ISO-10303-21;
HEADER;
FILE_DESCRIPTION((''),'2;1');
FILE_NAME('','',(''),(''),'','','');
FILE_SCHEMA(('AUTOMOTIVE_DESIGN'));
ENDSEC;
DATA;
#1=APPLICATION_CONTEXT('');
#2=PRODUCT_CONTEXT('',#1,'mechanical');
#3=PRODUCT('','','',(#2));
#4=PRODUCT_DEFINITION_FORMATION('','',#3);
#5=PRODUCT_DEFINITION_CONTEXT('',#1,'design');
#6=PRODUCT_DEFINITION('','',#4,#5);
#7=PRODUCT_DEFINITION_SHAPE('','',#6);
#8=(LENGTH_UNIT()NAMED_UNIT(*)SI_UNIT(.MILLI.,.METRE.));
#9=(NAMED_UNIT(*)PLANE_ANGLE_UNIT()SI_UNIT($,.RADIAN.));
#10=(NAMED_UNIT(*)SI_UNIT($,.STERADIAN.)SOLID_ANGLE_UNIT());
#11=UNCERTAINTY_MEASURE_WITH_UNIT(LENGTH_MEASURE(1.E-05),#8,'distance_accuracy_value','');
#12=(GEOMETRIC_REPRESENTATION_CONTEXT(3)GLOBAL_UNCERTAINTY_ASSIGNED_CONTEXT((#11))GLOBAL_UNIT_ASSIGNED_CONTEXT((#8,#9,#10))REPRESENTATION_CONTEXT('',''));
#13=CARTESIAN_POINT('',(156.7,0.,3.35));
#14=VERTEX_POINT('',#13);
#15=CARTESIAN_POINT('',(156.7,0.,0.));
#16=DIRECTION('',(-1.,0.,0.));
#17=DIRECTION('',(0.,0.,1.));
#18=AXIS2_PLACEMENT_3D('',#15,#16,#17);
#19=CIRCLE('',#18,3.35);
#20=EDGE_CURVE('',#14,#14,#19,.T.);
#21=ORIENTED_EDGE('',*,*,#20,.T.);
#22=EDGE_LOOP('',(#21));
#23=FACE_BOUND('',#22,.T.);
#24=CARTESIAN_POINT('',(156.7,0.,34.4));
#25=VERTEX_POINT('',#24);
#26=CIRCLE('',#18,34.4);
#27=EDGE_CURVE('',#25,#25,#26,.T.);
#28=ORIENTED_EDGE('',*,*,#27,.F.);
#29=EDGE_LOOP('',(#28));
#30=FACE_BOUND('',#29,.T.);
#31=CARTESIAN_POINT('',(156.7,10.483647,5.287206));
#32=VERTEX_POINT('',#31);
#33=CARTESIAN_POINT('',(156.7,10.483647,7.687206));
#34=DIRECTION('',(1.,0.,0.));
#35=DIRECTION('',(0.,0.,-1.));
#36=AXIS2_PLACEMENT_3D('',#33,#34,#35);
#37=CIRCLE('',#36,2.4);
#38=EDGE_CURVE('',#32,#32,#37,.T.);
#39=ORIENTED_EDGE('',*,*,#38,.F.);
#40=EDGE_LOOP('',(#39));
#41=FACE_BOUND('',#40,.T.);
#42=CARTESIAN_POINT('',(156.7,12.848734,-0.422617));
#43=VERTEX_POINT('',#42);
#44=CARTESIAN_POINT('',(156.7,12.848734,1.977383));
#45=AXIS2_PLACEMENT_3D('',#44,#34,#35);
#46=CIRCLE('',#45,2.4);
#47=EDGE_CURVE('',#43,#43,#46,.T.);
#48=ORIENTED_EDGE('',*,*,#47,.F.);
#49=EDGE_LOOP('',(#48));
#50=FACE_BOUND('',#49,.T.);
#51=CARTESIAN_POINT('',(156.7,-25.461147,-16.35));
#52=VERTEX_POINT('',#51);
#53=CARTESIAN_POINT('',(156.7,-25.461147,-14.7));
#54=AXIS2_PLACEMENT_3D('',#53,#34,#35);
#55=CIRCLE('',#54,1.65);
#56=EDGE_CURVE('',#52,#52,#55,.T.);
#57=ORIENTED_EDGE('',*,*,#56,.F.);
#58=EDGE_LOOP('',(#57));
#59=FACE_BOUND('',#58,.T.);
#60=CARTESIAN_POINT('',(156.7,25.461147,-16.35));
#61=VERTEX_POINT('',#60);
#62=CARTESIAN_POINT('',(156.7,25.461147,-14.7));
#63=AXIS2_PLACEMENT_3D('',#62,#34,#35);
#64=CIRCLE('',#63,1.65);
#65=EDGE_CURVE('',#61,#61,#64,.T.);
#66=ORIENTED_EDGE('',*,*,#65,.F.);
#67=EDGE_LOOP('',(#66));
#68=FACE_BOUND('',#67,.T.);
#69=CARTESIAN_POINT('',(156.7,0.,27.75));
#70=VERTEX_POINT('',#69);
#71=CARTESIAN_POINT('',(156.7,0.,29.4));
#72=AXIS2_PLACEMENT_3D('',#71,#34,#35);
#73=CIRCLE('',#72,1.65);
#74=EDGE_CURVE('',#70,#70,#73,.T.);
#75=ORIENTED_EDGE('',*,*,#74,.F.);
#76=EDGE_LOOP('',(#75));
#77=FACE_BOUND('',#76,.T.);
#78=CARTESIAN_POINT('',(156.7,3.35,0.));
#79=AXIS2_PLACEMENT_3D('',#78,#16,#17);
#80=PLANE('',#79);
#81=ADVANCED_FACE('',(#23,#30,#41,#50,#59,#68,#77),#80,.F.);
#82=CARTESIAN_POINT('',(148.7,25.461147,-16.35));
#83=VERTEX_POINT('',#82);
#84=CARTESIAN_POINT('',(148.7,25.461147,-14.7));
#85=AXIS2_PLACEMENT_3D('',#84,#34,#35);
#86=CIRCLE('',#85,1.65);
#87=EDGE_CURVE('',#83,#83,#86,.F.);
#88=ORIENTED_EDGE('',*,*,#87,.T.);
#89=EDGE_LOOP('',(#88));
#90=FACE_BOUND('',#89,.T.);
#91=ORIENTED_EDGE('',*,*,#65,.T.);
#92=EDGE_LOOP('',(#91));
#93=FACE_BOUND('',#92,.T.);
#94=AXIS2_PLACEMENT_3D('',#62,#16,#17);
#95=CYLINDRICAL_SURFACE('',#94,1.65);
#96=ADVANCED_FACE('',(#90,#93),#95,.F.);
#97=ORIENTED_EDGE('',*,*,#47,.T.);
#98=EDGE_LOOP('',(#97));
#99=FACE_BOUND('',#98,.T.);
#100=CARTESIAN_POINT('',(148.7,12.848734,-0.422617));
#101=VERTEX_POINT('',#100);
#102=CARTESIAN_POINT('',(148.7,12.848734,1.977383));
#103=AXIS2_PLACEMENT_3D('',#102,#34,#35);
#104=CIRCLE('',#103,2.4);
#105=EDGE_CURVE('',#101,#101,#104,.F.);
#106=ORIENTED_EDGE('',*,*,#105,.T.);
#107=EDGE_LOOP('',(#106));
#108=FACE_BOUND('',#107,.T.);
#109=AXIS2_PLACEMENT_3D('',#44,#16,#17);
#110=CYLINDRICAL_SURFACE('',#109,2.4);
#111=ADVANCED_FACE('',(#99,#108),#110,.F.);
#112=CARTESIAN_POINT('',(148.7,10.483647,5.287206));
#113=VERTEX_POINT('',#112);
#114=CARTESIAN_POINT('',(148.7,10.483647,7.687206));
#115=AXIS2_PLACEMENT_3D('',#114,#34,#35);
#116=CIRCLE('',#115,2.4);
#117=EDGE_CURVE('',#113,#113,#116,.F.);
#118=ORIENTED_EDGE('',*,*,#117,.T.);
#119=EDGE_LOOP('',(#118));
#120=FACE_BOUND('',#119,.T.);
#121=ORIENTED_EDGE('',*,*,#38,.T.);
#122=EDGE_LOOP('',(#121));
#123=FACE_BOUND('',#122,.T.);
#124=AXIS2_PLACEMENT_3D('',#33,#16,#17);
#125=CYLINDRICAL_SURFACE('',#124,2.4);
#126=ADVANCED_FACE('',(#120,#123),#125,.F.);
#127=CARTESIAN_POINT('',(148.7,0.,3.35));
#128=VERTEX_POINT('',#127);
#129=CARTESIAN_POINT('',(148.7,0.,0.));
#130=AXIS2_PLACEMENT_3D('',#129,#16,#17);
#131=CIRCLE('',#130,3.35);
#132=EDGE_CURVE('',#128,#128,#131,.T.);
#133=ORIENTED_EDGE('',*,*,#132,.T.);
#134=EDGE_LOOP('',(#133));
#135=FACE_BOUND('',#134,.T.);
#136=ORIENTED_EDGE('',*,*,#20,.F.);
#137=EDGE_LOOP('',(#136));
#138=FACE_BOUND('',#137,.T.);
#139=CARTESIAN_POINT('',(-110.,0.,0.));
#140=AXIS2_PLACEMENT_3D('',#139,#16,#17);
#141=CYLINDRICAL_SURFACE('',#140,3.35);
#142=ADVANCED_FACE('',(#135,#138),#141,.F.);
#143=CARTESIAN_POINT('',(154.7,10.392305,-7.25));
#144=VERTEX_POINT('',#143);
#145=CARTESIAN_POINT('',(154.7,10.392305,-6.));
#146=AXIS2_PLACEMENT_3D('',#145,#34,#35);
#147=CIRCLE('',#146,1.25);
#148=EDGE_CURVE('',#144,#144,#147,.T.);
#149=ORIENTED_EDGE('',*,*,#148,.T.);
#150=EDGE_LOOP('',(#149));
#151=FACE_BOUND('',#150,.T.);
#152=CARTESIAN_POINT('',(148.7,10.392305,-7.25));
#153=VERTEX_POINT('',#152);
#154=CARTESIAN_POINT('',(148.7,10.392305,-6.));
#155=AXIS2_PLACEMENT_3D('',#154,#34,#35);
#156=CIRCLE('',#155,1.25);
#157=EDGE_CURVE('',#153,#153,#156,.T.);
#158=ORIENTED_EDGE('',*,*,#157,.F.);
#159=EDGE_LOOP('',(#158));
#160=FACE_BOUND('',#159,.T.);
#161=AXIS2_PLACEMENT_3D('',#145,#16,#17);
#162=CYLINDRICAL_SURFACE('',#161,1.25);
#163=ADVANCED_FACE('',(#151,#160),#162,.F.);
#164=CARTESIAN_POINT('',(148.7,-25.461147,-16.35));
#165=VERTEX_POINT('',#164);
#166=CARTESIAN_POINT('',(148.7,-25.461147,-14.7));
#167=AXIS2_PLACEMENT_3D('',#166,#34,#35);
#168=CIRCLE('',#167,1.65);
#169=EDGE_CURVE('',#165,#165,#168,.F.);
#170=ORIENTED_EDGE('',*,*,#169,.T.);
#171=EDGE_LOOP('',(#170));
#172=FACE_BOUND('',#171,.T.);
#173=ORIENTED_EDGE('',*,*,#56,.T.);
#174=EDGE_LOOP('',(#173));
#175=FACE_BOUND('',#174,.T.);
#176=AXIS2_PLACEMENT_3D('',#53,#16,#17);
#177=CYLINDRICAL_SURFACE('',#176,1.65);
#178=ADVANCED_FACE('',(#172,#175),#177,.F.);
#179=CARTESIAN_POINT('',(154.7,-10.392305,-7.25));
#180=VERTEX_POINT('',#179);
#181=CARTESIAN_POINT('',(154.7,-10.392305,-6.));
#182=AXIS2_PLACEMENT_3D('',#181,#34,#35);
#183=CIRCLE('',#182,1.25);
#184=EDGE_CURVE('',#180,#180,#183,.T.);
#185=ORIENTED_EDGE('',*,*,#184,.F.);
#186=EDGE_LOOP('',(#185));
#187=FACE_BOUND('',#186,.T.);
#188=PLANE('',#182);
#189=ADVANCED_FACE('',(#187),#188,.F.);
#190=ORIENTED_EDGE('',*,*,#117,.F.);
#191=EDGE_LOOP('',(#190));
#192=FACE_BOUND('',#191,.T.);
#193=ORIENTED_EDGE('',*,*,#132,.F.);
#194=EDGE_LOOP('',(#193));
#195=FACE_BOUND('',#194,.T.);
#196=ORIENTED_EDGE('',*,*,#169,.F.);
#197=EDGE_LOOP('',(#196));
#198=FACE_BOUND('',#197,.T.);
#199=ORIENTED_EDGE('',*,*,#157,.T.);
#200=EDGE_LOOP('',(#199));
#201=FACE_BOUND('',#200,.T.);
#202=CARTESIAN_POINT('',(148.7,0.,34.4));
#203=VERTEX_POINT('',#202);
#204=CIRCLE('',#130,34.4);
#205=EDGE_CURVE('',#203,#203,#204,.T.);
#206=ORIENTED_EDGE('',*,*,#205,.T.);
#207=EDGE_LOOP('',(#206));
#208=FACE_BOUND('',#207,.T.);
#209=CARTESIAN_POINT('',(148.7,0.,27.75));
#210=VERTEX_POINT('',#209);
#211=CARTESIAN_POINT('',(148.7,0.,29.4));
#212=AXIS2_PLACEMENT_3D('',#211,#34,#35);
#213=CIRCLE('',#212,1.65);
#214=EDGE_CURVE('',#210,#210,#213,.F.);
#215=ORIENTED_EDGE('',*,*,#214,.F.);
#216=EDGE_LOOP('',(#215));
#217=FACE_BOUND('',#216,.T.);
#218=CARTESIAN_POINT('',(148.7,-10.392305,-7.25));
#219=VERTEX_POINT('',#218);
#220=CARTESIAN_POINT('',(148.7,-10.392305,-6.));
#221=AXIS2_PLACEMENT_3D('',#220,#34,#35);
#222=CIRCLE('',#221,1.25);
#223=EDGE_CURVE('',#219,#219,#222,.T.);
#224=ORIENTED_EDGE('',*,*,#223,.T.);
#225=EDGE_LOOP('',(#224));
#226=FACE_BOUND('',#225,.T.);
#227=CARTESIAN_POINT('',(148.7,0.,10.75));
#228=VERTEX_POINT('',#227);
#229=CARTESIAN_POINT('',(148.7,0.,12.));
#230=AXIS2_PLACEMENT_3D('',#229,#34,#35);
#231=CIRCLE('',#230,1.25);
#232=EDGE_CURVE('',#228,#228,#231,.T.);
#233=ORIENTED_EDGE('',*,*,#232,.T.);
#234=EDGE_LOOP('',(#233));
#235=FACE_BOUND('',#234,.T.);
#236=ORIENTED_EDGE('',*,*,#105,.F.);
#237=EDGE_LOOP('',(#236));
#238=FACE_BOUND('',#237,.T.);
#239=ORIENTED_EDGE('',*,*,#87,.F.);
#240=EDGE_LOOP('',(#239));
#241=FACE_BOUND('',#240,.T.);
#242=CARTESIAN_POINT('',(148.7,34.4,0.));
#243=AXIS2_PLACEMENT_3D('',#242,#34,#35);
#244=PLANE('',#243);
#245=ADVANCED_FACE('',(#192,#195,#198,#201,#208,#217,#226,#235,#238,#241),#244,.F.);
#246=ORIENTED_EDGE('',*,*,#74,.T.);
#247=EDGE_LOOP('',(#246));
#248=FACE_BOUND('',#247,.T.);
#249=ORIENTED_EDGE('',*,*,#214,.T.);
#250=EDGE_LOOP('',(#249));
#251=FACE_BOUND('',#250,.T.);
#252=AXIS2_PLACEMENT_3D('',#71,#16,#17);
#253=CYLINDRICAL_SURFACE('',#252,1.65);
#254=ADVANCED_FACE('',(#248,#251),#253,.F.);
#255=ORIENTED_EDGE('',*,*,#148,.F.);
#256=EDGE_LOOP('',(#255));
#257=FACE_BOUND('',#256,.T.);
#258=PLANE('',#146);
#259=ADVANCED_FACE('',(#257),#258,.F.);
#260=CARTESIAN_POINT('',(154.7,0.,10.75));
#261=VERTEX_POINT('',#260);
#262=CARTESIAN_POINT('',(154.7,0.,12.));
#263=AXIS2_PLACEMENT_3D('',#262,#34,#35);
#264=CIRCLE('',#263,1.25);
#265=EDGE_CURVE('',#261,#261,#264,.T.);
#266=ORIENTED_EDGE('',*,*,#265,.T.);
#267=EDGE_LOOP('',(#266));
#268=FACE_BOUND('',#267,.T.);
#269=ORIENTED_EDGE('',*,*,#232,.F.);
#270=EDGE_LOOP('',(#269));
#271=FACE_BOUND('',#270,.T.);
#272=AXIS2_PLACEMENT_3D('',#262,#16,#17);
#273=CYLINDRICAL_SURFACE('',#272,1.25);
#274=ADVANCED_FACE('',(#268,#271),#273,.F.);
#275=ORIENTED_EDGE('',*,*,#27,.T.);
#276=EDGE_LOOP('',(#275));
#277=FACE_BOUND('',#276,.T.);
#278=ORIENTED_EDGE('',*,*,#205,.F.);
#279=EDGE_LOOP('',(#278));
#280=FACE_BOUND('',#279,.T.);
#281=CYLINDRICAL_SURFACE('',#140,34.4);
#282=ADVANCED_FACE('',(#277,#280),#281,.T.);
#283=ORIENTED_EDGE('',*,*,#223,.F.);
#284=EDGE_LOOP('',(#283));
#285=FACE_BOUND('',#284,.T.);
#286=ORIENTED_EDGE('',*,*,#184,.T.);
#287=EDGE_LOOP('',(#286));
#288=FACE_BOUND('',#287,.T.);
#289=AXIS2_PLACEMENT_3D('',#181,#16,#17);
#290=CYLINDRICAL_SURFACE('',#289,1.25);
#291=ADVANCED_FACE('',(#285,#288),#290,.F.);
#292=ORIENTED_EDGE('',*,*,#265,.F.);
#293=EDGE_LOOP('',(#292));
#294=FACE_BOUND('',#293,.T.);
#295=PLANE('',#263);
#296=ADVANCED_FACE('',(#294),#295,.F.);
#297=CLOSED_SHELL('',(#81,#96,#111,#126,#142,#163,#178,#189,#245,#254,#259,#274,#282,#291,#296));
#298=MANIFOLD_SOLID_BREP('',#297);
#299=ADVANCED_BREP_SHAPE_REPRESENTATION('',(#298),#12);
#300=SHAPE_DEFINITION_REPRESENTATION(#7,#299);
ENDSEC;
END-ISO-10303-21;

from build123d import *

# Parameters (mm, degrees)
AXIAL_PROFILE_MM_W     = 8
AXIAL_PROFILE_MM_H     = 31.05
AXIAL_HOLES_DEPTH      = 165.078060691
AXIAL_HOLES_DEPTH_BACK = 165.078060691
SKETCH2_R              = 2.4
SKETCH2_R_2            = 1.65
CUT_EXTRUDE2_START     = 148.7
SKETCH3_R              = 1.25
CUT_EXTRUDE2_DEPTH     = 6


with BuildPart() as part:
    # Axial profile (mm) → Full revolution (revolve)
    with BuildSketch(Plane.XY, mode=Mode.PRIVATE) as full_revolution_sk:
        with Locations((152.7, 18.875)):
            Rectangle(AXIAL_PROFILE_MM_W, AXIAL_PROFILE_MM_H)
    revolve(full_revolution_sk.sketch.rotate(Axis((-110, 0, 0), (1, 0, 0)), 90), axis=Axis((-110, 0, 0), (1, 0, 0)))

    # Sketch2 → Axial holes (cut, two sides: drawn at the far end of the back side and taken through both)
    with BuildSketch(Plane(origin=(0, 0, 0), x_dir=(0, 0, -1), z_dir=(1, 0, 0)).offset(-AXIAL_HOLES_DEPTH_BACK)):
        with Locations((-1.977382665, 12.848733704)):
            Circle(SKETCH2_R)
        with Locations((-7.687206041, 10.483647423)):
            Circle(SKETCH2_R)
        with Locations((-29.4, 0)):
            Circle(SKETCH2_R_2)
        with Locations((14.7, -25.461146871)):
            Circle(SKETCH2_R_2)
        with Locations((14.7, 25.461146871)):
            Circle(SKETCH2_R_2)
    extrude(amount=AXIAL_HOLES_DEPTH + AXIAL_HOLES_DEPTH_BACK, mode=Mode.SUBTRACT)

    # Sketch3 → Cut-Extrude2 (cut)
    with BuildSketch(Plane(origin=(0, 0, 0), x_dir=(0, 0, -1), z_dir=(1, 0, 0)).offset(CUT_EXTRUDE2_START)):
        with Locations((-12, 0)):
            Circle(SKETCH3_R)
        with Locations((6, -10.392304845)):
            Circle(SKETCH3_R)
        with Locations((6, 10.392304845)):
            Circle(SKETCH3_R)
    extrude(amount=CUT_EXTRUDE2_DEPTH, mode=Mode.SUBTRACT)


solid = part.part
